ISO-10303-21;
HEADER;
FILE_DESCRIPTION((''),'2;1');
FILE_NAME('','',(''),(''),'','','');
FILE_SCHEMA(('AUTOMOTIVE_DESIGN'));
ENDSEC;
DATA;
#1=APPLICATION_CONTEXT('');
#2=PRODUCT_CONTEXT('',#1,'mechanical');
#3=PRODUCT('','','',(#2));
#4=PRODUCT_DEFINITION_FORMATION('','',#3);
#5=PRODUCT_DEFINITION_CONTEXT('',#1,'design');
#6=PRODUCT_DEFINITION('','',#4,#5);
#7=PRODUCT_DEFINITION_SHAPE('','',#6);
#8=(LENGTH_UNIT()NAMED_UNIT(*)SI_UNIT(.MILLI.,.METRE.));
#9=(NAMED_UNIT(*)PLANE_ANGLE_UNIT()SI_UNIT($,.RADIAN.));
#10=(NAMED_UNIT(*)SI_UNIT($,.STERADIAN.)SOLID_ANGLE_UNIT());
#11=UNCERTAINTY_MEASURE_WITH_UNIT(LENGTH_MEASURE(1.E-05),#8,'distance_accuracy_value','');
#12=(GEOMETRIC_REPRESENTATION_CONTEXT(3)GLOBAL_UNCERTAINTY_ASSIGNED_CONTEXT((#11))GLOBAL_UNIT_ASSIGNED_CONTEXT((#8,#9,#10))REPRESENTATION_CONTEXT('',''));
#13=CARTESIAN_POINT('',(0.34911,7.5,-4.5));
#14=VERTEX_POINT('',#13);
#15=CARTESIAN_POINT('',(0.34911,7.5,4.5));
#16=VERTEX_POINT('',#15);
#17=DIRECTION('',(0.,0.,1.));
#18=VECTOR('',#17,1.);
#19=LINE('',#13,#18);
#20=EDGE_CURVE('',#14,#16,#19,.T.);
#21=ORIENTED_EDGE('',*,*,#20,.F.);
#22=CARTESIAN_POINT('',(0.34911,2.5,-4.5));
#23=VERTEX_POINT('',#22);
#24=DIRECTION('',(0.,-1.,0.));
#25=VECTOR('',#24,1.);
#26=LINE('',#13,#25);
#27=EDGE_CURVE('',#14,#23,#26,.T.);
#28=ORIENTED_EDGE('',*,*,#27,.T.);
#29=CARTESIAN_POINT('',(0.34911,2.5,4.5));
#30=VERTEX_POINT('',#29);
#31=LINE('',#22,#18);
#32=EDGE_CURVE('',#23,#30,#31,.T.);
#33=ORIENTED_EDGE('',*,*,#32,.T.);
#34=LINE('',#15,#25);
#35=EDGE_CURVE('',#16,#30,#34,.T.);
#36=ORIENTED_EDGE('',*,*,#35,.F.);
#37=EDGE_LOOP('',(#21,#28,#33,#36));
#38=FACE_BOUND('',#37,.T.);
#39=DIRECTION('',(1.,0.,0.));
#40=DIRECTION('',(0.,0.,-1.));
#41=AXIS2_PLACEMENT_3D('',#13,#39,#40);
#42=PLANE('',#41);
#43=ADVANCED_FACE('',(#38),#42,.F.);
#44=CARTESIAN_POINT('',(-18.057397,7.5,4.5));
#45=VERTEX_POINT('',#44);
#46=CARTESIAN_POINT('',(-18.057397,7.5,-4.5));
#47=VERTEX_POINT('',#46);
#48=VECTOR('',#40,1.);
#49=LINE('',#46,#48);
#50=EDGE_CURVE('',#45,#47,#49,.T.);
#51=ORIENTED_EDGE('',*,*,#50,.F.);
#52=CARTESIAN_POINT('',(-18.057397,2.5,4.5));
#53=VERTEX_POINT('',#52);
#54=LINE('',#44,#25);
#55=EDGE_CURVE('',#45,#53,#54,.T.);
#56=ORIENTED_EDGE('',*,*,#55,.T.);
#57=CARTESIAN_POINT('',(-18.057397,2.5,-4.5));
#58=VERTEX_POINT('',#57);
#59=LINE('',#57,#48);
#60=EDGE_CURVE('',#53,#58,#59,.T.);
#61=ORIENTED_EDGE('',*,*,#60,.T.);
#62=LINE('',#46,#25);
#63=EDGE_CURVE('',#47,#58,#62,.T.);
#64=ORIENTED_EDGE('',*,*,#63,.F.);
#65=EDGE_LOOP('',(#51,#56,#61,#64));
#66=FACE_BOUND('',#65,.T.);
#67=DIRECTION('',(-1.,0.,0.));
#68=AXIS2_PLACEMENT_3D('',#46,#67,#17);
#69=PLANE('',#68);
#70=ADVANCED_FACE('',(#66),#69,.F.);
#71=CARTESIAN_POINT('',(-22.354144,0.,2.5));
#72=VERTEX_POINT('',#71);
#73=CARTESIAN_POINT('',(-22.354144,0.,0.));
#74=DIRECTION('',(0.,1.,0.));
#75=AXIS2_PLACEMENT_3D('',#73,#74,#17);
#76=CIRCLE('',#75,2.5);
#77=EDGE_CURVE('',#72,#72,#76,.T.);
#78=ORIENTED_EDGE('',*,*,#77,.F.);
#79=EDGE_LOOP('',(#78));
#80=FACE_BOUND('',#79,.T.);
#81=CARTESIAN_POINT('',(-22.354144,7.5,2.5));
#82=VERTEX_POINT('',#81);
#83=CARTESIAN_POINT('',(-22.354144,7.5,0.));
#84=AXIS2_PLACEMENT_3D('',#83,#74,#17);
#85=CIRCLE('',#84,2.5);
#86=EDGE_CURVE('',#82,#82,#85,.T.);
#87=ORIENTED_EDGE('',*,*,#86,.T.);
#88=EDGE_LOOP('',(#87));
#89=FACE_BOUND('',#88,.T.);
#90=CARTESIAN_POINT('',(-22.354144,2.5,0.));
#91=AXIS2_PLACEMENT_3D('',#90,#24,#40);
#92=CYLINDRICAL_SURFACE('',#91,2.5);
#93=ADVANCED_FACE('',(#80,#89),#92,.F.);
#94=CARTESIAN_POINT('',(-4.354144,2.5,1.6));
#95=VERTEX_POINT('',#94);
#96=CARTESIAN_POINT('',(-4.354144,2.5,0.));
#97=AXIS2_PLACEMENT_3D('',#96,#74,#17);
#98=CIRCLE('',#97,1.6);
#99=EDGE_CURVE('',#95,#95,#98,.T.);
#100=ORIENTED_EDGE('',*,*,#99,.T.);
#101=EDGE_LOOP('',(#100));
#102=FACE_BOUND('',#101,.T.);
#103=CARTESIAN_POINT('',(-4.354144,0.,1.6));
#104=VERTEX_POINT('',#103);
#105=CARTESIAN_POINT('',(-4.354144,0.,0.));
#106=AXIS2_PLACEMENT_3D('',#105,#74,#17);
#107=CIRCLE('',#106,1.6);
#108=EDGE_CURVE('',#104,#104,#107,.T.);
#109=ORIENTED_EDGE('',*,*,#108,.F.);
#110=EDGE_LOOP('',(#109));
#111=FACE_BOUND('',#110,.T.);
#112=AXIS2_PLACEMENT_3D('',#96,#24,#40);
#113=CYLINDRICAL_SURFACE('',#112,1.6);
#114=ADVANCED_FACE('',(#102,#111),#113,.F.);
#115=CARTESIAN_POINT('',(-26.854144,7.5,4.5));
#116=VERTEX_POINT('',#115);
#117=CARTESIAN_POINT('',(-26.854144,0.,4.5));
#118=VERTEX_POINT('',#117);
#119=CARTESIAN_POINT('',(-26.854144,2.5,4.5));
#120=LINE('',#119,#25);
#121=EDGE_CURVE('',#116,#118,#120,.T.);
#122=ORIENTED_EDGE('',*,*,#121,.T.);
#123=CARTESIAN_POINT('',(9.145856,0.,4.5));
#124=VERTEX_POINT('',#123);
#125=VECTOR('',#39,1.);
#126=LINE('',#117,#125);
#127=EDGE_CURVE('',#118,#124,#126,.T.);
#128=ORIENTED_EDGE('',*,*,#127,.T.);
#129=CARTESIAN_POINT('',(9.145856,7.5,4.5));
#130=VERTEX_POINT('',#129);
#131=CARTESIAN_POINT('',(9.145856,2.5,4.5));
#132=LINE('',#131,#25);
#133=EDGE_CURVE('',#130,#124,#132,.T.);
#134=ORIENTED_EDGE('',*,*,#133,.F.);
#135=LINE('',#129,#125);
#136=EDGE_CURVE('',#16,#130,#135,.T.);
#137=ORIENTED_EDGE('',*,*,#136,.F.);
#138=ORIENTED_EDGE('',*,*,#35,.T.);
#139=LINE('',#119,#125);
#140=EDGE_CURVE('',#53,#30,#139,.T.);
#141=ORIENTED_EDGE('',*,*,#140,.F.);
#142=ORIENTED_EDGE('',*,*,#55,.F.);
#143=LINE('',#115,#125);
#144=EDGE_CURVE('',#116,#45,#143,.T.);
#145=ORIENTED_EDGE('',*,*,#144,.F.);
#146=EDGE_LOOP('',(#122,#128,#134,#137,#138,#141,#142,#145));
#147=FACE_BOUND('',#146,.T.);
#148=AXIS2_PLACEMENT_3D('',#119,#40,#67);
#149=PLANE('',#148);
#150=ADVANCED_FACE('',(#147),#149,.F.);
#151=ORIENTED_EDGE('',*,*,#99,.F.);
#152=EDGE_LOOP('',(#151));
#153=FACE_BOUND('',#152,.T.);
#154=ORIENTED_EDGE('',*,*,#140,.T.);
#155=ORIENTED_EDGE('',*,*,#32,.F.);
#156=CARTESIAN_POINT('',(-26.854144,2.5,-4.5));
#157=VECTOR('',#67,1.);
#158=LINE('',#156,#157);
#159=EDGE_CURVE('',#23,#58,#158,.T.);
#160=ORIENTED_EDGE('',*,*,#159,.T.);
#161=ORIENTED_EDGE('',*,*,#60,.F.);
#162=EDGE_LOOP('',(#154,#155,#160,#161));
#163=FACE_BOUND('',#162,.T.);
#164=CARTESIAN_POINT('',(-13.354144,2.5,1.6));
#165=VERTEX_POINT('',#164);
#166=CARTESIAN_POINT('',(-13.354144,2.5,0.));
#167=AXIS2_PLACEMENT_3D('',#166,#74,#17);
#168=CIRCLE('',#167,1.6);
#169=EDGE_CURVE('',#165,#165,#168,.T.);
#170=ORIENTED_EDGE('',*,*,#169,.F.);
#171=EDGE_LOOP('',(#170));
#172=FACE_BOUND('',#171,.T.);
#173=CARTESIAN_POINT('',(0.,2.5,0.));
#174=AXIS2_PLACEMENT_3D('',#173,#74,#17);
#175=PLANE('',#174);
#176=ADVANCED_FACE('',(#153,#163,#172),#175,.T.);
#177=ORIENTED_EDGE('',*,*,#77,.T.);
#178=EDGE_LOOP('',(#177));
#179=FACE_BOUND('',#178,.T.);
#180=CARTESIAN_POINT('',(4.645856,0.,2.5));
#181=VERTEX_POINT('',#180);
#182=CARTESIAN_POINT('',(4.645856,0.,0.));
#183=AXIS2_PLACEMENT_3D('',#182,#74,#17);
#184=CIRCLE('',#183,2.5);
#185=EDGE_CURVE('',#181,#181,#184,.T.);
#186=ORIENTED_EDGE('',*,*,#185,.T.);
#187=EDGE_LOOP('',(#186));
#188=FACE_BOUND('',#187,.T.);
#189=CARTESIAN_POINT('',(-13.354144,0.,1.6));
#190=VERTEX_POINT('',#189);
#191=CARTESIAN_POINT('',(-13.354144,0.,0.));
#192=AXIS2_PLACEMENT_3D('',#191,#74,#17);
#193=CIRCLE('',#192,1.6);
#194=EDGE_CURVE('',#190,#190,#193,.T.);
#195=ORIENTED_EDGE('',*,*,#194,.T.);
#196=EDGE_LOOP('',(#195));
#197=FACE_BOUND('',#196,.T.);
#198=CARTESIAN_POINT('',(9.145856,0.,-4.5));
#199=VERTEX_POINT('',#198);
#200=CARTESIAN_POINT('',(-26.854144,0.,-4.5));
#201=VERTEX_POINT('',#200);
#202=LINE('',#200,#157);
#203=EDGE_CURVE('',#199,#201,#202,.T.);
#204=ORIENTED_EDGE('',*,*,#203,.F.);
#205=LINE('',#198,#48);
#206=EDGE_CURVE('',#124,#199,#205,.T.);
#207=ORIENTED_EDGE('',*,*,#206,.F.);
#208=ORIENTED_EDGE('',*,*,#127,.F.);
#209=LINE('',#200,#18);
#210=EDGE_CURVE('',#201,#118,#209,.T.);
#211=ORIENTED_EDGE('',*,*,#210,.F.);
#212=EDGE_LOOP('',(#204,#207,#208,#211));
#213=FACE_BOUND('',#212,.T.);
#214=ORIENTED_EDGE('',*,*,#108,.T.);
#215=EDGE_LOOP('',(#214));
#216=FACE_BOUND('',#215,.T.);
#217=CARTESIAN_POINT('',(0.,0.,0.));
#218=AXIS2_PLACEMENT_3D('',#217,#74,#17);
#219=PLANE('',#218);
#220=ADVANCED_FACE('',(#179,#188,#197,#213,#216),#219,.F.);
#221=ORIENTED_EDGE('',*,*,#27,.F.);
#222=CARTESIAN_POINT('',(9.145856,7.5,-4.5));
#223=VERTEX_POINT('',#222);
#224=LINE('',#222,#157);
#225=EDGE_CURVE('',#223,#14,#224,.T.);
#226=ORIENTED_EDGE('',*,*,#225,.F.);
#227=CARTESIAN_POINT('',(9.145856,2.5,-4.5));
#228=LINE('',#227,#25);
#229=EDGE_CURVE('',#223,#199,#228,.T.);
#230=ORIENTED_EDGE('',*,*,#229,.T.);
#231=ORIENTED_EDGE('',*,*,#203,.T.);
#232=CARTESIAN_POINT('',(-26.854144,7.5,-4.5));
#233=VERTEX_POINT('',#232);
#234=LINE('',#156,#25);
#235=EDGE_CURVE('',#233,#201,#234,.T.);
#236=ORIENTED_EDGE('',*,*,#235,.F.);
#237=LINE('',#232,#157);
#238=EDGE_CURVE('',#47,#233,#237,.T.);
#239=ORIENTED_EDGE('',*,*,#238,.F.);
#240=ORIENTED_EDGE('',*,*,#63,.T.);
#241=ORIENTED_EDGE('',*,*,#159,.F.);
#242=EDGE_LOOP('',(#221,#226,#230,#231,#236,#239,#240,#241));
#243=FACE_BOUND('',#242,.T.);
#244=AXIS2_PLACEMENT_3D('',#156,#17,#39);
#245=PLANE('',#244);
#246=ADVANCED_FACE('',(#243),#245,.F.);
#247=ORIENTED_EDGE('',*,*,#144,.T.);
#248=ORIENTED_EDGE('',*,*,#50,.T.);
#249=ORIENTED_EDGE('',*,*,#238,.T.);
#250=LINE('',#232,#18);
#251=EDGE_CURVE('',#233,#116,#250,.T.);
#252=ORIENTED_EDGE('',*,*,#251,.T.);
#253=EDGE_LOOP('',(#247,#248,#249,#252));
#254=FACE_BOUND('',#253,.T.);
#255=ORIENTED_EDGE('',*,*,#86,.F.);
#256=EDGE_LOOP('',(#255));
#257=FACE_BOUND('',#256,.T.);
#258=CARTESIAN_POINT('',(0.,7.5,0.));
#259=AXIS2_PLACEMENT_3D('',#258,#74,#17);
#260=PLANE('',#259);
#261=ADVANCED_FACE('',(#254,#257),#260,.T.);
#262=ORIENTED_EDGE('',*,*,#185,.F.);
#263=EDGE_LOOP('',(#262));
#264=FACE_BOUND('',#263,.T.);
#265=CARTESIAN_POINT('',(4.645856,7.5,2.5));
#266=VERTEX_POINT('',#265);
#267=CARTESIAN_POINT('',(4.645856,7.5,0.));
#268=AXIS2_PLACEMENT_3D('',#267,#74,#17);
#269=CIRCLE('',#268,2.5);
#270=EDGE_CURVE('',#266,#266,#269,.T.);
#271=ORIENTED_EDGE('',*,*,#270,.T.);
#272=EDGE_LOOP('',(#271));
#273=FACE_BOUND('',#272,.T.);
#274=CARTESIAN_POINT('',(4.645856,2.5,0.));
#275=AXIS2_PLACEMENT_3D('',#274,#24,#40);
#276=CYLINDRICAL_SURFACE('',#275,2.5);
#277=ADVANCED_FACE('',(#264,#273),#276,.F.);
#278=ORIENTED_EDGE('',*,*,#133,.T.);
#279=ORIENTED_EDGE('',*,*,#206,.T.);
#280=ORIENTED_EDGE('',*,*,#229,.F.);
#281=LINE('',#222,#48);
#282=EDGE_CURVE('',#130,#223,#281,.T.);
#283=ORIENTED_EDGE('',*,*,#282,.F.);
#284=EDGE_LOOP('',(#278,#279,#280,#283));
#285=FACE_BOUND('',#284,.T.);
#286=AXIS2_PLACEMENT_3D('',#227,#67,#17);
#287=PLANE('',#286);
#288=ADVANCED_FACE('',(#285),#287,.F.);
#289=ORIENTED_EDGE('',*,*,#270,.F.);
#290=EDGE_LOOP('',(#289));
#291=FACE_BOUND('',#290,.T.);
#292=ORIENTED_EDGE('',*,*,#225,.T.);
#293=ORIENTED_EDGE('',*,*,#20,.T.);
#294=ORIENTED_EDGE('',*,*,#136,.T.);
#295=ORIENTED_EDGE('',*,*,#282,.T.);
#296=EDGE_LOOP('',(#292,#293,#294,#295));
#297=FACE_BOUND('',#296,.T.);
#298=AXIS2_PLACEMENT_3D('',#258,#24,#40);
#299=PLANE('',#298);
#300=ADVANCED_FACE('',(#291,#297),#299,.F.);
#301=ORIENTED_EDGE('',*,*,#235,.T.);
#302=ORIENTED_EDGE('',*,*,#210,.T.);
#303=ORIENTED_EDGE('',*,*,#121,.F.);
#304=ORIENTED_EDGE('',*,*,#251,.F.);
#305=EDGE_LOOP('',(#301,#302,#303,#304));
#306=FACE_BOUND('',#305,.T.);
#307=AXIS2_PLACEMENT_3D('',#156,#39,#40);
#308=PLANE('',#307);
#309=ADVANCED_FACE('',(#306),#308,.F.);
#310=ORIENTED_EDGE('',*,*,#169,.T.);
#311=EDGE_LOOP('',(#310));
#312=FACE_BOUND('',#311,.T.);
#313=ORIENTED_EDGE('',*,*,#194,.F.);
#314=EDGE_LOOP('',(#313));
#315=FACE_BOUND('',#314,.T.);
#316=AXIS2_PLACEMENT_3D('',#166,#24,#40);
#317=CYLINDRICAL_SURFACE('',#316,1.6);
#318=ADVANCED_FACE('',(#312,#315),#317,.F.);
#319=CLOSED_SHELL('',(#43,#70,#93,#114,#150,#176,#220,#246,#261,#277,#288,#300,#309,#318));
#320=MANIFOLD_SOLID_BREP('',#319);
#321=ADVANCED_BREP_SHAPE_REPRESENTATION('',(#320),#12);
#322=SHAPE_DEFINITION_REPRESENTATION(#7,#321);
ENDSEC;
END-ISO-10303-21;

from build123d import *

# Parameters (mm, degrees)
SKETCH1_W           = 36
SKETCH1_H           = 9
SKETCH1_R           = 1.6
SKETCH1_R_2         = 2.5
BOSS_EXTRUDE1_DEPTH = 2.5
SKETCH2_W           = 8.796746506
SKETCH2_H           = 9
SKETCH2_R           = 2.5
BOSS_EXTRUDE2_DEPTH = 5


with BuildPart() as part:
    # Sketch1 → Boss-Extrude1 (new body)
    with BuildSketch(Plane(origin=(0, 0, 0), x_dir=(1, 0, 0), z_dir=(0, 1, 0))):
        with Locations((-8.854143772, 0)):
            Rectangle(SKETCH1_W, SKETCH1_H)
        with Locations((-13.354143772, 0)):
            Circle(SKETCH1_R, mode=Mode.SUBTRACT)
        with Locations((-4.354143772, 0)):
            Circle(SKETCH1_R, mode=Mode.SUBTRACT)
        with Locations((4.645856228, 0)):
            Circle(SKETCH1_R_2, mode=Mode.SUBTRACT)
        with Locations((-22.354143772, 0)):
            Circle(SKETCH1_R_2, mode=Mode.SUBTRACT)
    extrude(amount=BOSS_EXTRUDE1_DEPTH)

    # Sketch2 → Boss-Extrude2 (add)
    with BuildSketch(Plane(origin=(0, 2.5, 0), x_dir=(1, 0, 0), z_dir=(0, 1, 0))):
        with Locations((-22.455770519, 0)):
            Rectangle(SKETCH2_W, SKETCH2_H)
        with Locations((-22.354143772, 0)):
            Circle(SKETCH2_R, mode=Mode.SUBTRACT)
        with Locations((4.747482975, 0)):
            Rectangle(SKETCH2_W, SKETCH2_H)
        with Locations((4.645856228, 0)):
            Circle(SKETCH2_R, mode=Mode.SUBTRACT)
    extrude(amount=BOSS_EXTRUDE2_DEPTH)


solid = part.part
